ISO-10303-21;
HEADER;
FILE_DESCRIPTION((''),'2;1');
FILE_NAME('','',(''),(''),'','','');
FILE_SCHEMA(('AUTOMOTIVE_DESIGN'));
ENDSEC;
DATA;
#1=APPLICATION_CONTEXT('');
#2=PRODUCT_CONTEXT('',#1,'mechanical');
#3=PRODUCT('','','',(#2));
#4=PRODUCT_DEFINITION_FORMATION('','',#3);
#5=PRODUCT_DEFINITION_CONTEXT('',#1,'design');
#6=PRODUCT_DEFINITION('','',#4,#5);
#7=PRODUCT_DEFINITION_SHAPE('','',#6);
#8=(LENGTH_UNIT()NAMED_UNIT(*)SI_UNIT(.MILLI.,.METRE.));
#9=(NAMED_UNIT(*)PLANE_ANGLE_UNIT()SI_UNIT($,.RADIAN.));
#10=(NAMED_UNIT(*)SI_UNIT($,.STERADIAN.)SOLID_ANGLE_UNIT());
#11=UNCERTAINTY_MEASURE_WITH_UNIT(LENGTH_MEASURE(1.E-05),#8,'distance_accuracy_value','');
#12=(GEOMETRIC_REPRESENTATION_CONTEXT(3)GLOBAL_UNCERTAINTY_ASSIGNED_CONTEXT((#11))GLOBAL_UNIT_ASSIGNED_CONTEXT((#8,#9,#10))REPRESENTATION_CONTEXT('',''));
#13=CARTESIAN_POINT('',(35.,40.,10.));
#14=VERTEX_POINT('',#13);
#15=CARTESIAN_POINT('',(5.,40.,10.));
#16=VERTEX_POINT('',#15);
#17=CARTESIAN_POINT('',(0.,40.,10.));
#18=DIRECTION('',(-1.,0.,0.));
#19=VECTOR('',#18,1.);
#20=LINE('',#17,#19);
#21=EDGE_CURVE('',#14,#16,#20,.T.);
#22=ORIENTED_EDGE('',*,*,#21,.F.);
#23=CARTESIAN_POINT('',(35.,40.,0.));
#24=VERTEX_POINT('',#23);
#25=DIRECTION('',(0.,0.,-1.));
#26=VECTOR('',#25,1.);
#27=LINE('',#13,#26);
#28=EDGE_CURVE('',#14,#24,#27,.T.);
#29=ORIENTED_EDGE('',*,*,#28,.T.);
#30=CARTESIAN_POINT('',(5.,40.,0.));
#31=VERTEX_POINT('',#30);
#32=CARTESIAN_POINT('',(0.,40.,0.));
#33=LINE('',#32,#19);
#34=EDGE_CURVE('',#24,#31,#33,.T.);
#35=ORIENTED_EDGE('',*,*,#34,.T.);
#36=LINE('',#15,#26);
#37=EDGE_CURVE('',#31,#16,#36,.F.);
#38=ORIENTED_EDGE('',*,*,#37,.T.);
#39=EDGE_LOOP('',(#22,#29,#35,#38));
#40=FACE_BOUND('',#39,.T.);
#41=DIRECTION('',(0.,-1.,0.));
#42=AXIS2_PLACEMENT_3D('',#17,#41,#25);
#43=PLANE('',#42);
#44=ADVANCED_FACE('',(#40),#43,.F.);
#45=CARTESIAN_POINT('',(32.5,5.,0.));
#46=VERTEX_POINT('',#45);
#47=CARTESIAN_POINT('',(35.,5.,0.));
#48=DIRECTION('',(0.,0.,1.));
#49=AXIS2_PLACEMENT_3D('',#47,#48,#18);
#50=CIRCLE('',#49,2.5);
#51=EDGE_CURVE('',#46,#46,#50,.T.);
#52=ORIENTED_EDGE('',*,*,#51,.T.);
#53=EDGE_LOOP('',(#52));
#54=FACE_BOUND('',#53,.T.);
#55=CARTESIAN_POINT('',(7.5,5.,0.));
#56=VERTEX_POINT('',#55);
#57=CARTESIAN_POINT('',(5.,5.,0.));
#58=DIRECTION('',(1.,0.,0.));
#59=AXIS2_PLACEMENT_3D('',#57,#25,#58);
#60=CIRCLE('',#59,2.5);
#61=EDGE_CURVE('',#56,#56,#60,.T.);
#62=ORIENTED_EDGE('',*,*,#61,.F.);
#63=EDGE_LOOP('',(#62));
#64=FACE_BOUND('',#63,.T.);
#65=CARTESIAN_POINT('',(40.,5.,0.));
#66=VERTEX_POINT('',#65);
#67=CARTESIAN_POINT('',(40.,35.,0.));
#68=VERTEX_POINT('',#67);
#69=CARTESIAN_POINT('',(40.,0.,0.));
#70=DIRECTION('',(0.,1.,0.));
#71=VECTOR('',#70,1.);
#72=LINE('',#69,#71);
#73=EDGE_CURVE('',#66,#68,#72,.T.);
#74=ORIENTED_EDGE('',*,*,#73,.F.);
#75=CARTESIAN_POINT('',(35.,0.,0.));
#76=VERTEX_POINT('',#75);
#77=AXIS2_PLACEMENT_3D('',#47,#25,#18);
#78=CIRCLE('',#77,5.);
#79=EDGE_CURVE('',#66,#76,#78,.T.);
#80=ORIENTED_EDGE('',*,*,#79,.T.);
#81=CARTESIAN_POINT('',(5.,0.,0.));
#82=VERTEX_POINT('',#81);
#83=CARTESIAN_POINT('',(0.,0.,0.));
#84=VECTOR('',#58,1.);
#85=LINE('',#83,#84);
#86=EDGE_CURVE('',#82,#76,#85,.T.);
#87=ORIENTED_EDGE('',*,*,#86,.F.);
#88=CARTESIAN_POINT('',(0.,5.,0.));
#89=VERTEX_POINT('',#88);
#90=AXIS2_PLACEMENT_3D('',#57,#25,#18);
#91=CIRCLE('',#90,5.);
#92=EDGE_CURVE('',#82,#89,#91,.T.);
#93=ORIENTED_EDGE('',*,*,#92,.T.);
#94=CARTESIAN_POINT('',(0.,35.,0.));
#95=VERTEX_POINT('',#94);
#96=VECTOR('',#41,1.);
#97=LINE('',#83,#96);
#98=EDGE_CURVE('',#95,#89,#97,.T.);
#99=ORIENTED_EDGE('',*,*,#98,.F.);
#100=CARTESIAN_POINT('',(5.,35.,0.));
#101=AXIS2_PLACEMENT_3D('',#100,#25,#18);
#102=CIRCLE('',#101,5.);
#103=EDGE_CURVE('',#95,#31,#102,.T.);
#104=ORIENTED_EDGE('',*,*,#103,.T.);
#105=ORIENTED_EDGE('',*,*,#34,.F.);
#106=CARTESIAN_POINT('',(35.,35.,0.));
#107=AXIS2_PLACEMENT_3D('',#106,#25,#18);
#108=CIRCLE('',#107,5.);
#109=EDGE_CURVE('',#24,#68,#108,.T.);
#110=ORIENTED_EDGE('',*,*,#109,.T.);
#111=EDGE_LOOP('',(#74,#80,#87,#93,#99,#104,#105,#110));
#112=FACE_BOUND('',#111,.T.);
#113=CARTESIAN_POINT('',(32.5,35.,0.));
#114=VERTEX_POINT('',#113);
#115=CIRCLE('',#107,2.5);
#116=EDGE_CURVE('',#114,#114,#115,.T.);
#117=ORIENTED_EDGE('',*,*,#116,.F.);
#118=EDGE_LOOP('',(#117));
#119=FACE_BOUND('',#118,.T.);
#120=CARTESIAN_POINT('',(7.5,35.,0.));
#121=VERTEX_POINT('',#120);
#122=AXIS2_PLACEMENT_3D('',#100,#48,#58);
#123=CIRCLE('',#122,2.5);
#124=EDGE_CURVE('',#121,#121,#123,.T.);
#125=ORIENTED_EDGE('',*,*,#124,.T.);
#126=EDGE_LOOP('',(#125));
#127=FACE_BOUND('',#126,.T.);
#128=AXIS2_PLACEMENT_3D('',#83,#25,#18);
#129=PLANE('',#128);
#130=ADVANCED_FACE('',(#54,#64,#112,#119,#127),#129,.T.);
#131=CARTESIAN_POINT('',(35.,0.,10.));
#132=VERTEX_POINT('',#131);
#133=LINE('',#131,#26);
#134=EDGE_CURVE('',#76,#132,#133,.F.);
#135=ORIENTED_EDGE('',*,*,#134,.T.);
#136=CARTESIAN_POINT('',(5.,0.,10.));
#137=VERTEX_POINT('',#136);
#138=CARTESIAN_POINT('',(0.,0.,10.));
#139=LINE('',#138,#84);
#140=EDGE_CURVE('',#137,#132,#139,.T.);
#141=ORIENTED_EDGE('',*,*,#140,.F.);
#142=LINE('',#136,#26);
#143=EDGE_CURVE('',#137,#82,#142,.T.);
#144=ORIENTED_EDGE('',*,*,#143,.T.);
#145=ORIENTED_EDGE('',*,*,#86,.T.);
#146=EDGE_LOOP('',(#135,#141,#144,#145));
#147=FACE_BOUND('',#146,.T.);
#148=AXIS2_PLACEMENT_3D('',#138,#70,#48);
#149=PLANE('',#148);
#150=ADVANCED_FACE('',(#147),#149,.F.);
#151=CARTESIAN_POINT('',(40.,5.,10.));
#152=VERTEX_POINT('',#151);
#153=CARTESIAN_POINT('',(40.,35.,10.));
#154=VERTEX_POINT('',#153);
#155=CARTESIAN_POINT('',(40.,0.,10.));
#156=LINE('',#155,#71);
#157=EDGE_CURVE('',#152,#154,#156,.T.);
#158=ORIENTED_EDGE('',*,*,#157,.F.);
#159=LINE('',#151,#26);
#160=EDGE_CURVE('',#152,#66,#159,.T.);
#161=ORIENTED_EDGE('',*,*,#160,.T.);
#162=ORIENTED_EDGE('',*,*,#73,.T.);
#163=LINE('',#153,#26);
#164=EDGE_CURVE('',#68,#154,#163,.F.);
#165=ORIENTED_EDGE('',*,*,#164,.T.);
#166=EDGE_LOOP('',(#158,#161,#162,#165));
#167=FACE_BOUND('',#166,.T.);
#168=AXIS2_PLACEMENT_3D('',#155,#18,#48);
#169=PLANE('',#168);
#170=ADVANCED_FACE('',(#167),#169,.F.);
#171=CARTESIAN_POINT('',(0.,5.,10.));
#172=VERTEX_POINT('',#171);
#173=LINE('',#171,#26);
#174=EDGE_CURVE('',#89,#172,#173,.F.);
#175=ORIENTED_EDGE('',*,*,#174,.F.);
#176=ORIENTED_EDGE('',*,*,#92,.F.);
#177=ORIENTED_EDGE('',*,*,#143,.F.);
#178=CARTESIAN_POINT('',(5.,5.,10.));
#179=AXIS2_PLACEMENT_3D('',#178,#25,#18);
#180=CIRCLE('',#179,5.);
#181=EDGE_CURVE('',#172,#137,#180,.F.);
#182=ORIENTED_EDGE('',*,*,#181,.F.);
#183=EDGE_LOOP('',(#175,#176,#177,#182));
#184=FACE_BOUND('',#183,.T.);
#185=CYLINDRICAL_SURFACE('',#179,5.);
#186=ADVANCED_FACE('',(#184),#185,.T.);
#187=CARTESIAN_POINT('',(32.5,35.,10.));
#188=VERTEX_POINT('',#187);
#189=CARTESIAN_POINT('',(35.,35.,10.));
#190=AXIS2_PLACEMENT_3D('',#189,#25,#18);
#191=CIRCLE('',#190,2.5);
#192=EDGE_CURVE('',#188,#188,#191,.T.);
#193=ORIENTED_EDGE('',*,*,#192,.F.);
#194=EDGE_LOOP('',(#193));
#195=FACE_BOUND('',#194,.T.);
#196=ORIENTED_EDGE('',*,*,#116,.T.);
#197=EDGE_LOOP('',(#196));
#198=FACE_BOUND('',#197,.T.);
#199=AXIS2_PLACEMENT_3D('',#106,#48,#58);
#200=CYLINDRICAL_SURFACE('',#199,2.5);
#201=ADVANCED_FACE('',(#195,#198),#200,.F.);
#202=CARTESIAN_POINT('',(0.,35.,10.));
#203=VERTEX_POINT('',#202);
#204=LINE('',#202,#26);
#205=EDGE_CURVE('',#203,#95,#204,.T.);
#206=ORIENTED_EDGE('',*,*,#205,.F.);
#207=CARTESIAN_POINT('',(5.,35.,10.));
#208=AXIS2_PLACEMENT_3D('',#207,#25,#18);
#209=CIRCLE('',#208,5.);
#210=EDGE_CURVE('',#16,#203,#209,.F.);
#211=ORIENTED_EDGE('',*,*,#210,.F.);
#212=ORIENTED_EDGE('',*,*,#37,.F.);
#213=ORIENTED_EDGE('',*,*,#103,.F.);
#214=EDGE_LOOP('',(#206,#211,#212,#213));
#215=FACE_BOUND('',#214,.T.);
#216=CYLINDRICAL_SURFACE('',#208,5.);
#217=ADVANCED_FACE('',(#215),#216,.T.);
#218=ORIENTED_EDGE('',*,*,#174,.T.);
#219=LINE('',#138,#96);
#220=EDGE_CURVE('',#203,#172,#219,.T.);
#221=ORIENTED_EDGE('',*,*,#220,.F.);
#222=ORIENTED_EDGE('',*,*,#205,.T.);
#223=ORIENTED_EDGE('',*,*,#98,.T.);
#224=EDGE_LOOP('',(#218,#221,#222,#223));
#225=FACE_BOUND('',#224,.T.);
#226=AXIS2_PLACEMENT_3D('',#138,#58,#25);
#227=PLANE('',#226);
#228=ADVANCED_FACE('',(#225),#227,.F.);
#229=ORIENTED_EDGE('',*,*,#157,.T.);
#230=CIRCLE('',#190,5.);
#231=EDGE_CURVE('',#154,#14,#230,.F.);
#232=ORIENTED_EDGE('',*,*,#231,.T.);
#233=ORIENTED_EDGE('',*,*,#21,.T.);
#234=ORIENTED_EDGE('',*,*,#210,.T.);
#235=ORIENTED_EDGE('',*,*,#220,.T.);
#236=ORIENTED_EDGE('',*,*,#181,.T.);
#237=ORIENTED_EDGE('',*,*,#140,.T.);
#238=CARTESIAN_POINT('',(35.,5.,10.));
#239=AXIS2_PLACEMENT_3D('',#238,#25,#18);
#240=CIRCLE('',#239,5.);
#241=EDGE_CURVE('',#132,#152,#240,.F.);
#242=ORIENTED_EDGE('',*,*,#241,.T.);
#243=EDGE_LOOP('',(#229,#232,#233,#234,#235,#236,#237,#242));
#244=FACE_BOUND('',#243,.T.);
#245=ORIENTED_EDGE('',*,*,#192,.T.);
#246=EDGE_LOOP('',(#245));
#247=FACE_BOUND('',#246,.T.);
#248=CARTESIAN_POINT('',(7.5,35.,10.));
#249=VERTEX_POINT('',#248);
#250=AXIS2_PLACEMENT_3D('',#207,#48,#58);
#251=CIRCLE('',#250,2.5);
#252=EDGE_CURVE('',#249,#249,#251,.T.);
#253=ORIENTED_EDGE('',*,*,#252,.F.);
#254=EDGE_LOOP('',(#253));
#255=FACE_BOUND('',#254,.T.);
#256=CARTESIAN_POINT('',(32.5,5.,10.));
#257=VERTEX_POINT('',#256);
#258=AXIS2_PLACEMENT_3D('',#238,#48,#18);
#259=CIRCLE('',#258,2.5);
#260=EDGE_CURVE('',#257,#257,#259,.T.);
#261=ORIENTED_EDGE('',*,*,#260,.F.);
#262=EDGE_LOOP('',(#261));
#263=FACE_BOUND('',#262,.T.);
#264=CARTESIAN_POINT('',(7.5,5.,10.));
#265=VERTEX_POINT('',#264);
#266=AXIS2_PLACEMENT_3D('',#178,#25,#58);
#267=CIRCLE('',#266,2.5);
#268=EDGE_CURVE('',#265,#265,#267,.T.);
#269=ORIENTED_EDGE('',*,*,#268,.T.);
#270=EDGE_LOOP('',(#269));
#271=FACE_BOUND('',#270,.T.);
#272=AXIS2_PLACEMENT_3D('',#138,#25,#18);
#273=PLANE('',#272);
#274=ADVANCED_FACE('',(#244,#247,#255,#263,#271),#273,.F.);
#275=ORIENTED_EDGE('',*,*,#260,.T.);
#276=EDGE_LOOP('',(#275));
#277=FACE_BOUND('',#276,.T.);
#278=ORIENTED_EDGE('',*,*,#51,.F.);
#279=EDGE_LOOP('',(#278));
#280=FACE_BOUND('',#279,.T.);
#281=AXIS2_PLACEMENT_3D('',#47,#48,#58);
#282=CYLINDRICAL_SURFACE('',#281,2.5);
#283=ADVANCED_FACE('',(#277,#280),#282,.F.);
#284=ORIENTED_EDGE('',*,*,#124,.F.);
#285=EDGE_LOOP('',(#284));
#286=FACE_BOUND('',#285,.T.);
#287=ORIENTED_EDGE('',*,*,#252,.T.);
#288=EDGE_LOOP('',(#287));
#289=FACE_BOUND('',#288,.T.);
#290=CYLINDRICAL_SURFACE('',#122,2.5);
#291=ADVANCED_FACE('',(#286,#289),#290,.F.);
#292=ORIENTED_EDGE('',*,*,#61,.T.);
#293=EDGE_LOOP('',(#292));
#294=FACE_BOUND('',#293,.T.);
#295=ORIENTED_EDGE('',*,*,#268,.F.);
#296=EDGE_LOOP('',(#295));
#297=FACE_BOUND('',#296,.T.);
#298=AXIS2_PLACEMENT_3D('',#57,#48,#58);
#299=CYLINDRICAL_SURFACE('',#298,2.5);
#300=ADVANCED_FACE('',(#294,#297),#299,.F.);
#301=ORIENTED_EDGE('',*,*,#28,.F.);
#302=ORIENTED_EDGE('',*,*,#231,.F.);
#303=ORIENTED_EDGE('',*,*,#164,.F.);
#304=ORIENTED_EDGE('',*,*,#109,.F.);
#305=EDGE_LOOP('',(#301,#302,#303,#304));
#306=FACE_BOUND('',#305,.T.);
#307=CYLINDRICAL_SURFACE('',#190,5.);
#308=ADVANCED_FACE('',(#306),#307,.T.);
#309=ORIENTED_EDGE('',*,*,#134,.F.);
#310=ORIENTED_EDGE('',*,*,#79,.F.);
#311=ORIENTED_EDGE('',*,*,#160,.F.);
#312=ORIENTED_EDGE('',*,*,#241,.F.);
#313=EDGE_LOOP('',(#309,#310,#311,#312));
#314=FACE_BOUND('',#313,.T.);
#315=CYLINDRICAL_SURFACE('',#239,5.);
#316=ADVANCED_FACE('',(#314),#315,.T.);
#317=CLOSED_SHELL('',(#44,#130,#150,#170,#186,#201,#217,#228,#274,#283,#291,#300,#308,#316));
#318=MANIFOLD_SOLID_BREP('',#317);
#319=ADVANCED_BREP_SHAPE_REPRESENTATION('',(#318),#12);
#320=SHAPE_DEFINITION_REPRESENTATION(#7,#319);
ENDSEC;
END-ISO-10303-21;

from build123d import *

# Parameters (mm, degrees)
SKETCH1_W               = 40
SKETCH1_H               = 40
BOSS_EXTRUDE1_DEPTH     = 10
SKETCH2_R               = 2.5
CUT_EXTRUDE1_DEPTH      = 11
MIRROR2_COPY_1_SKETCH_R = 2.5
MIRROR2_COPY_1_DEPTH    = 11
FILLET2_R               = 5


with BuildPart() as part:
    # Sketch1 → Boss-Extrude1 (new body)
    with BuildSketch(Plane.XY):
        with Locations((20, 20)):
            Rectangle(SKETCH1_W, SKETCH1_H)
    extrude(amount=BOSS_EXTRUDE1_DEPTH)

    # Sketch2 → Cut-Extrude1 (cut, through all)
    with BuildSketch(Plane.XY.offset(10)):
        with Locations((5, 35)):
            Circle(SKETCH2_R)
    cut_extrude1 = extrude(amount=-CUT_EXTRUDE1_DEPTH, mode=Mode.SUBTRACT)

    # Mirror1: Cut-Extrude1 across plane
    add(cut_extrude1.mirror(Plane.ZX.offset(20)), mode=Mode.SUBTRACT)

    # Mirror2: Cut-Extrude1 across plane
    add(cut_extrude1.mirror(Plane(origin=(20, 0, 0), x_dir=(0, 0, 1), z_dir=(1, 0, 0))), mode=Mode.SUBTRACT)

    # Mirror2 copy 1 sketch → Mirror2 copy 1 (cut, through all)
    with BuildSketch(Plane(origin=(40, 40, 10), x_dir=(-1, 0, 0), z_dir=(0, 0, 1))):
        with Locations((5, 35)):
            Circle(MIRROR2_COPY_1_SKETCH_R)
    extrude(amount=-MIRROR2_COPY_1_DEPTH, mode=Mode.SUBTRACT)

    # Fillet2
    fillet2_edges = [part.edges().sort_by_distance(p)[0] for p in [
        (0, 40, 5),
        (40, 40, 5),
        (40, 0, 5),
        (0, 0, 5),
    ]]
    fillet(fillet2_edges, radius=FILLET2_R)


solid = part.part
